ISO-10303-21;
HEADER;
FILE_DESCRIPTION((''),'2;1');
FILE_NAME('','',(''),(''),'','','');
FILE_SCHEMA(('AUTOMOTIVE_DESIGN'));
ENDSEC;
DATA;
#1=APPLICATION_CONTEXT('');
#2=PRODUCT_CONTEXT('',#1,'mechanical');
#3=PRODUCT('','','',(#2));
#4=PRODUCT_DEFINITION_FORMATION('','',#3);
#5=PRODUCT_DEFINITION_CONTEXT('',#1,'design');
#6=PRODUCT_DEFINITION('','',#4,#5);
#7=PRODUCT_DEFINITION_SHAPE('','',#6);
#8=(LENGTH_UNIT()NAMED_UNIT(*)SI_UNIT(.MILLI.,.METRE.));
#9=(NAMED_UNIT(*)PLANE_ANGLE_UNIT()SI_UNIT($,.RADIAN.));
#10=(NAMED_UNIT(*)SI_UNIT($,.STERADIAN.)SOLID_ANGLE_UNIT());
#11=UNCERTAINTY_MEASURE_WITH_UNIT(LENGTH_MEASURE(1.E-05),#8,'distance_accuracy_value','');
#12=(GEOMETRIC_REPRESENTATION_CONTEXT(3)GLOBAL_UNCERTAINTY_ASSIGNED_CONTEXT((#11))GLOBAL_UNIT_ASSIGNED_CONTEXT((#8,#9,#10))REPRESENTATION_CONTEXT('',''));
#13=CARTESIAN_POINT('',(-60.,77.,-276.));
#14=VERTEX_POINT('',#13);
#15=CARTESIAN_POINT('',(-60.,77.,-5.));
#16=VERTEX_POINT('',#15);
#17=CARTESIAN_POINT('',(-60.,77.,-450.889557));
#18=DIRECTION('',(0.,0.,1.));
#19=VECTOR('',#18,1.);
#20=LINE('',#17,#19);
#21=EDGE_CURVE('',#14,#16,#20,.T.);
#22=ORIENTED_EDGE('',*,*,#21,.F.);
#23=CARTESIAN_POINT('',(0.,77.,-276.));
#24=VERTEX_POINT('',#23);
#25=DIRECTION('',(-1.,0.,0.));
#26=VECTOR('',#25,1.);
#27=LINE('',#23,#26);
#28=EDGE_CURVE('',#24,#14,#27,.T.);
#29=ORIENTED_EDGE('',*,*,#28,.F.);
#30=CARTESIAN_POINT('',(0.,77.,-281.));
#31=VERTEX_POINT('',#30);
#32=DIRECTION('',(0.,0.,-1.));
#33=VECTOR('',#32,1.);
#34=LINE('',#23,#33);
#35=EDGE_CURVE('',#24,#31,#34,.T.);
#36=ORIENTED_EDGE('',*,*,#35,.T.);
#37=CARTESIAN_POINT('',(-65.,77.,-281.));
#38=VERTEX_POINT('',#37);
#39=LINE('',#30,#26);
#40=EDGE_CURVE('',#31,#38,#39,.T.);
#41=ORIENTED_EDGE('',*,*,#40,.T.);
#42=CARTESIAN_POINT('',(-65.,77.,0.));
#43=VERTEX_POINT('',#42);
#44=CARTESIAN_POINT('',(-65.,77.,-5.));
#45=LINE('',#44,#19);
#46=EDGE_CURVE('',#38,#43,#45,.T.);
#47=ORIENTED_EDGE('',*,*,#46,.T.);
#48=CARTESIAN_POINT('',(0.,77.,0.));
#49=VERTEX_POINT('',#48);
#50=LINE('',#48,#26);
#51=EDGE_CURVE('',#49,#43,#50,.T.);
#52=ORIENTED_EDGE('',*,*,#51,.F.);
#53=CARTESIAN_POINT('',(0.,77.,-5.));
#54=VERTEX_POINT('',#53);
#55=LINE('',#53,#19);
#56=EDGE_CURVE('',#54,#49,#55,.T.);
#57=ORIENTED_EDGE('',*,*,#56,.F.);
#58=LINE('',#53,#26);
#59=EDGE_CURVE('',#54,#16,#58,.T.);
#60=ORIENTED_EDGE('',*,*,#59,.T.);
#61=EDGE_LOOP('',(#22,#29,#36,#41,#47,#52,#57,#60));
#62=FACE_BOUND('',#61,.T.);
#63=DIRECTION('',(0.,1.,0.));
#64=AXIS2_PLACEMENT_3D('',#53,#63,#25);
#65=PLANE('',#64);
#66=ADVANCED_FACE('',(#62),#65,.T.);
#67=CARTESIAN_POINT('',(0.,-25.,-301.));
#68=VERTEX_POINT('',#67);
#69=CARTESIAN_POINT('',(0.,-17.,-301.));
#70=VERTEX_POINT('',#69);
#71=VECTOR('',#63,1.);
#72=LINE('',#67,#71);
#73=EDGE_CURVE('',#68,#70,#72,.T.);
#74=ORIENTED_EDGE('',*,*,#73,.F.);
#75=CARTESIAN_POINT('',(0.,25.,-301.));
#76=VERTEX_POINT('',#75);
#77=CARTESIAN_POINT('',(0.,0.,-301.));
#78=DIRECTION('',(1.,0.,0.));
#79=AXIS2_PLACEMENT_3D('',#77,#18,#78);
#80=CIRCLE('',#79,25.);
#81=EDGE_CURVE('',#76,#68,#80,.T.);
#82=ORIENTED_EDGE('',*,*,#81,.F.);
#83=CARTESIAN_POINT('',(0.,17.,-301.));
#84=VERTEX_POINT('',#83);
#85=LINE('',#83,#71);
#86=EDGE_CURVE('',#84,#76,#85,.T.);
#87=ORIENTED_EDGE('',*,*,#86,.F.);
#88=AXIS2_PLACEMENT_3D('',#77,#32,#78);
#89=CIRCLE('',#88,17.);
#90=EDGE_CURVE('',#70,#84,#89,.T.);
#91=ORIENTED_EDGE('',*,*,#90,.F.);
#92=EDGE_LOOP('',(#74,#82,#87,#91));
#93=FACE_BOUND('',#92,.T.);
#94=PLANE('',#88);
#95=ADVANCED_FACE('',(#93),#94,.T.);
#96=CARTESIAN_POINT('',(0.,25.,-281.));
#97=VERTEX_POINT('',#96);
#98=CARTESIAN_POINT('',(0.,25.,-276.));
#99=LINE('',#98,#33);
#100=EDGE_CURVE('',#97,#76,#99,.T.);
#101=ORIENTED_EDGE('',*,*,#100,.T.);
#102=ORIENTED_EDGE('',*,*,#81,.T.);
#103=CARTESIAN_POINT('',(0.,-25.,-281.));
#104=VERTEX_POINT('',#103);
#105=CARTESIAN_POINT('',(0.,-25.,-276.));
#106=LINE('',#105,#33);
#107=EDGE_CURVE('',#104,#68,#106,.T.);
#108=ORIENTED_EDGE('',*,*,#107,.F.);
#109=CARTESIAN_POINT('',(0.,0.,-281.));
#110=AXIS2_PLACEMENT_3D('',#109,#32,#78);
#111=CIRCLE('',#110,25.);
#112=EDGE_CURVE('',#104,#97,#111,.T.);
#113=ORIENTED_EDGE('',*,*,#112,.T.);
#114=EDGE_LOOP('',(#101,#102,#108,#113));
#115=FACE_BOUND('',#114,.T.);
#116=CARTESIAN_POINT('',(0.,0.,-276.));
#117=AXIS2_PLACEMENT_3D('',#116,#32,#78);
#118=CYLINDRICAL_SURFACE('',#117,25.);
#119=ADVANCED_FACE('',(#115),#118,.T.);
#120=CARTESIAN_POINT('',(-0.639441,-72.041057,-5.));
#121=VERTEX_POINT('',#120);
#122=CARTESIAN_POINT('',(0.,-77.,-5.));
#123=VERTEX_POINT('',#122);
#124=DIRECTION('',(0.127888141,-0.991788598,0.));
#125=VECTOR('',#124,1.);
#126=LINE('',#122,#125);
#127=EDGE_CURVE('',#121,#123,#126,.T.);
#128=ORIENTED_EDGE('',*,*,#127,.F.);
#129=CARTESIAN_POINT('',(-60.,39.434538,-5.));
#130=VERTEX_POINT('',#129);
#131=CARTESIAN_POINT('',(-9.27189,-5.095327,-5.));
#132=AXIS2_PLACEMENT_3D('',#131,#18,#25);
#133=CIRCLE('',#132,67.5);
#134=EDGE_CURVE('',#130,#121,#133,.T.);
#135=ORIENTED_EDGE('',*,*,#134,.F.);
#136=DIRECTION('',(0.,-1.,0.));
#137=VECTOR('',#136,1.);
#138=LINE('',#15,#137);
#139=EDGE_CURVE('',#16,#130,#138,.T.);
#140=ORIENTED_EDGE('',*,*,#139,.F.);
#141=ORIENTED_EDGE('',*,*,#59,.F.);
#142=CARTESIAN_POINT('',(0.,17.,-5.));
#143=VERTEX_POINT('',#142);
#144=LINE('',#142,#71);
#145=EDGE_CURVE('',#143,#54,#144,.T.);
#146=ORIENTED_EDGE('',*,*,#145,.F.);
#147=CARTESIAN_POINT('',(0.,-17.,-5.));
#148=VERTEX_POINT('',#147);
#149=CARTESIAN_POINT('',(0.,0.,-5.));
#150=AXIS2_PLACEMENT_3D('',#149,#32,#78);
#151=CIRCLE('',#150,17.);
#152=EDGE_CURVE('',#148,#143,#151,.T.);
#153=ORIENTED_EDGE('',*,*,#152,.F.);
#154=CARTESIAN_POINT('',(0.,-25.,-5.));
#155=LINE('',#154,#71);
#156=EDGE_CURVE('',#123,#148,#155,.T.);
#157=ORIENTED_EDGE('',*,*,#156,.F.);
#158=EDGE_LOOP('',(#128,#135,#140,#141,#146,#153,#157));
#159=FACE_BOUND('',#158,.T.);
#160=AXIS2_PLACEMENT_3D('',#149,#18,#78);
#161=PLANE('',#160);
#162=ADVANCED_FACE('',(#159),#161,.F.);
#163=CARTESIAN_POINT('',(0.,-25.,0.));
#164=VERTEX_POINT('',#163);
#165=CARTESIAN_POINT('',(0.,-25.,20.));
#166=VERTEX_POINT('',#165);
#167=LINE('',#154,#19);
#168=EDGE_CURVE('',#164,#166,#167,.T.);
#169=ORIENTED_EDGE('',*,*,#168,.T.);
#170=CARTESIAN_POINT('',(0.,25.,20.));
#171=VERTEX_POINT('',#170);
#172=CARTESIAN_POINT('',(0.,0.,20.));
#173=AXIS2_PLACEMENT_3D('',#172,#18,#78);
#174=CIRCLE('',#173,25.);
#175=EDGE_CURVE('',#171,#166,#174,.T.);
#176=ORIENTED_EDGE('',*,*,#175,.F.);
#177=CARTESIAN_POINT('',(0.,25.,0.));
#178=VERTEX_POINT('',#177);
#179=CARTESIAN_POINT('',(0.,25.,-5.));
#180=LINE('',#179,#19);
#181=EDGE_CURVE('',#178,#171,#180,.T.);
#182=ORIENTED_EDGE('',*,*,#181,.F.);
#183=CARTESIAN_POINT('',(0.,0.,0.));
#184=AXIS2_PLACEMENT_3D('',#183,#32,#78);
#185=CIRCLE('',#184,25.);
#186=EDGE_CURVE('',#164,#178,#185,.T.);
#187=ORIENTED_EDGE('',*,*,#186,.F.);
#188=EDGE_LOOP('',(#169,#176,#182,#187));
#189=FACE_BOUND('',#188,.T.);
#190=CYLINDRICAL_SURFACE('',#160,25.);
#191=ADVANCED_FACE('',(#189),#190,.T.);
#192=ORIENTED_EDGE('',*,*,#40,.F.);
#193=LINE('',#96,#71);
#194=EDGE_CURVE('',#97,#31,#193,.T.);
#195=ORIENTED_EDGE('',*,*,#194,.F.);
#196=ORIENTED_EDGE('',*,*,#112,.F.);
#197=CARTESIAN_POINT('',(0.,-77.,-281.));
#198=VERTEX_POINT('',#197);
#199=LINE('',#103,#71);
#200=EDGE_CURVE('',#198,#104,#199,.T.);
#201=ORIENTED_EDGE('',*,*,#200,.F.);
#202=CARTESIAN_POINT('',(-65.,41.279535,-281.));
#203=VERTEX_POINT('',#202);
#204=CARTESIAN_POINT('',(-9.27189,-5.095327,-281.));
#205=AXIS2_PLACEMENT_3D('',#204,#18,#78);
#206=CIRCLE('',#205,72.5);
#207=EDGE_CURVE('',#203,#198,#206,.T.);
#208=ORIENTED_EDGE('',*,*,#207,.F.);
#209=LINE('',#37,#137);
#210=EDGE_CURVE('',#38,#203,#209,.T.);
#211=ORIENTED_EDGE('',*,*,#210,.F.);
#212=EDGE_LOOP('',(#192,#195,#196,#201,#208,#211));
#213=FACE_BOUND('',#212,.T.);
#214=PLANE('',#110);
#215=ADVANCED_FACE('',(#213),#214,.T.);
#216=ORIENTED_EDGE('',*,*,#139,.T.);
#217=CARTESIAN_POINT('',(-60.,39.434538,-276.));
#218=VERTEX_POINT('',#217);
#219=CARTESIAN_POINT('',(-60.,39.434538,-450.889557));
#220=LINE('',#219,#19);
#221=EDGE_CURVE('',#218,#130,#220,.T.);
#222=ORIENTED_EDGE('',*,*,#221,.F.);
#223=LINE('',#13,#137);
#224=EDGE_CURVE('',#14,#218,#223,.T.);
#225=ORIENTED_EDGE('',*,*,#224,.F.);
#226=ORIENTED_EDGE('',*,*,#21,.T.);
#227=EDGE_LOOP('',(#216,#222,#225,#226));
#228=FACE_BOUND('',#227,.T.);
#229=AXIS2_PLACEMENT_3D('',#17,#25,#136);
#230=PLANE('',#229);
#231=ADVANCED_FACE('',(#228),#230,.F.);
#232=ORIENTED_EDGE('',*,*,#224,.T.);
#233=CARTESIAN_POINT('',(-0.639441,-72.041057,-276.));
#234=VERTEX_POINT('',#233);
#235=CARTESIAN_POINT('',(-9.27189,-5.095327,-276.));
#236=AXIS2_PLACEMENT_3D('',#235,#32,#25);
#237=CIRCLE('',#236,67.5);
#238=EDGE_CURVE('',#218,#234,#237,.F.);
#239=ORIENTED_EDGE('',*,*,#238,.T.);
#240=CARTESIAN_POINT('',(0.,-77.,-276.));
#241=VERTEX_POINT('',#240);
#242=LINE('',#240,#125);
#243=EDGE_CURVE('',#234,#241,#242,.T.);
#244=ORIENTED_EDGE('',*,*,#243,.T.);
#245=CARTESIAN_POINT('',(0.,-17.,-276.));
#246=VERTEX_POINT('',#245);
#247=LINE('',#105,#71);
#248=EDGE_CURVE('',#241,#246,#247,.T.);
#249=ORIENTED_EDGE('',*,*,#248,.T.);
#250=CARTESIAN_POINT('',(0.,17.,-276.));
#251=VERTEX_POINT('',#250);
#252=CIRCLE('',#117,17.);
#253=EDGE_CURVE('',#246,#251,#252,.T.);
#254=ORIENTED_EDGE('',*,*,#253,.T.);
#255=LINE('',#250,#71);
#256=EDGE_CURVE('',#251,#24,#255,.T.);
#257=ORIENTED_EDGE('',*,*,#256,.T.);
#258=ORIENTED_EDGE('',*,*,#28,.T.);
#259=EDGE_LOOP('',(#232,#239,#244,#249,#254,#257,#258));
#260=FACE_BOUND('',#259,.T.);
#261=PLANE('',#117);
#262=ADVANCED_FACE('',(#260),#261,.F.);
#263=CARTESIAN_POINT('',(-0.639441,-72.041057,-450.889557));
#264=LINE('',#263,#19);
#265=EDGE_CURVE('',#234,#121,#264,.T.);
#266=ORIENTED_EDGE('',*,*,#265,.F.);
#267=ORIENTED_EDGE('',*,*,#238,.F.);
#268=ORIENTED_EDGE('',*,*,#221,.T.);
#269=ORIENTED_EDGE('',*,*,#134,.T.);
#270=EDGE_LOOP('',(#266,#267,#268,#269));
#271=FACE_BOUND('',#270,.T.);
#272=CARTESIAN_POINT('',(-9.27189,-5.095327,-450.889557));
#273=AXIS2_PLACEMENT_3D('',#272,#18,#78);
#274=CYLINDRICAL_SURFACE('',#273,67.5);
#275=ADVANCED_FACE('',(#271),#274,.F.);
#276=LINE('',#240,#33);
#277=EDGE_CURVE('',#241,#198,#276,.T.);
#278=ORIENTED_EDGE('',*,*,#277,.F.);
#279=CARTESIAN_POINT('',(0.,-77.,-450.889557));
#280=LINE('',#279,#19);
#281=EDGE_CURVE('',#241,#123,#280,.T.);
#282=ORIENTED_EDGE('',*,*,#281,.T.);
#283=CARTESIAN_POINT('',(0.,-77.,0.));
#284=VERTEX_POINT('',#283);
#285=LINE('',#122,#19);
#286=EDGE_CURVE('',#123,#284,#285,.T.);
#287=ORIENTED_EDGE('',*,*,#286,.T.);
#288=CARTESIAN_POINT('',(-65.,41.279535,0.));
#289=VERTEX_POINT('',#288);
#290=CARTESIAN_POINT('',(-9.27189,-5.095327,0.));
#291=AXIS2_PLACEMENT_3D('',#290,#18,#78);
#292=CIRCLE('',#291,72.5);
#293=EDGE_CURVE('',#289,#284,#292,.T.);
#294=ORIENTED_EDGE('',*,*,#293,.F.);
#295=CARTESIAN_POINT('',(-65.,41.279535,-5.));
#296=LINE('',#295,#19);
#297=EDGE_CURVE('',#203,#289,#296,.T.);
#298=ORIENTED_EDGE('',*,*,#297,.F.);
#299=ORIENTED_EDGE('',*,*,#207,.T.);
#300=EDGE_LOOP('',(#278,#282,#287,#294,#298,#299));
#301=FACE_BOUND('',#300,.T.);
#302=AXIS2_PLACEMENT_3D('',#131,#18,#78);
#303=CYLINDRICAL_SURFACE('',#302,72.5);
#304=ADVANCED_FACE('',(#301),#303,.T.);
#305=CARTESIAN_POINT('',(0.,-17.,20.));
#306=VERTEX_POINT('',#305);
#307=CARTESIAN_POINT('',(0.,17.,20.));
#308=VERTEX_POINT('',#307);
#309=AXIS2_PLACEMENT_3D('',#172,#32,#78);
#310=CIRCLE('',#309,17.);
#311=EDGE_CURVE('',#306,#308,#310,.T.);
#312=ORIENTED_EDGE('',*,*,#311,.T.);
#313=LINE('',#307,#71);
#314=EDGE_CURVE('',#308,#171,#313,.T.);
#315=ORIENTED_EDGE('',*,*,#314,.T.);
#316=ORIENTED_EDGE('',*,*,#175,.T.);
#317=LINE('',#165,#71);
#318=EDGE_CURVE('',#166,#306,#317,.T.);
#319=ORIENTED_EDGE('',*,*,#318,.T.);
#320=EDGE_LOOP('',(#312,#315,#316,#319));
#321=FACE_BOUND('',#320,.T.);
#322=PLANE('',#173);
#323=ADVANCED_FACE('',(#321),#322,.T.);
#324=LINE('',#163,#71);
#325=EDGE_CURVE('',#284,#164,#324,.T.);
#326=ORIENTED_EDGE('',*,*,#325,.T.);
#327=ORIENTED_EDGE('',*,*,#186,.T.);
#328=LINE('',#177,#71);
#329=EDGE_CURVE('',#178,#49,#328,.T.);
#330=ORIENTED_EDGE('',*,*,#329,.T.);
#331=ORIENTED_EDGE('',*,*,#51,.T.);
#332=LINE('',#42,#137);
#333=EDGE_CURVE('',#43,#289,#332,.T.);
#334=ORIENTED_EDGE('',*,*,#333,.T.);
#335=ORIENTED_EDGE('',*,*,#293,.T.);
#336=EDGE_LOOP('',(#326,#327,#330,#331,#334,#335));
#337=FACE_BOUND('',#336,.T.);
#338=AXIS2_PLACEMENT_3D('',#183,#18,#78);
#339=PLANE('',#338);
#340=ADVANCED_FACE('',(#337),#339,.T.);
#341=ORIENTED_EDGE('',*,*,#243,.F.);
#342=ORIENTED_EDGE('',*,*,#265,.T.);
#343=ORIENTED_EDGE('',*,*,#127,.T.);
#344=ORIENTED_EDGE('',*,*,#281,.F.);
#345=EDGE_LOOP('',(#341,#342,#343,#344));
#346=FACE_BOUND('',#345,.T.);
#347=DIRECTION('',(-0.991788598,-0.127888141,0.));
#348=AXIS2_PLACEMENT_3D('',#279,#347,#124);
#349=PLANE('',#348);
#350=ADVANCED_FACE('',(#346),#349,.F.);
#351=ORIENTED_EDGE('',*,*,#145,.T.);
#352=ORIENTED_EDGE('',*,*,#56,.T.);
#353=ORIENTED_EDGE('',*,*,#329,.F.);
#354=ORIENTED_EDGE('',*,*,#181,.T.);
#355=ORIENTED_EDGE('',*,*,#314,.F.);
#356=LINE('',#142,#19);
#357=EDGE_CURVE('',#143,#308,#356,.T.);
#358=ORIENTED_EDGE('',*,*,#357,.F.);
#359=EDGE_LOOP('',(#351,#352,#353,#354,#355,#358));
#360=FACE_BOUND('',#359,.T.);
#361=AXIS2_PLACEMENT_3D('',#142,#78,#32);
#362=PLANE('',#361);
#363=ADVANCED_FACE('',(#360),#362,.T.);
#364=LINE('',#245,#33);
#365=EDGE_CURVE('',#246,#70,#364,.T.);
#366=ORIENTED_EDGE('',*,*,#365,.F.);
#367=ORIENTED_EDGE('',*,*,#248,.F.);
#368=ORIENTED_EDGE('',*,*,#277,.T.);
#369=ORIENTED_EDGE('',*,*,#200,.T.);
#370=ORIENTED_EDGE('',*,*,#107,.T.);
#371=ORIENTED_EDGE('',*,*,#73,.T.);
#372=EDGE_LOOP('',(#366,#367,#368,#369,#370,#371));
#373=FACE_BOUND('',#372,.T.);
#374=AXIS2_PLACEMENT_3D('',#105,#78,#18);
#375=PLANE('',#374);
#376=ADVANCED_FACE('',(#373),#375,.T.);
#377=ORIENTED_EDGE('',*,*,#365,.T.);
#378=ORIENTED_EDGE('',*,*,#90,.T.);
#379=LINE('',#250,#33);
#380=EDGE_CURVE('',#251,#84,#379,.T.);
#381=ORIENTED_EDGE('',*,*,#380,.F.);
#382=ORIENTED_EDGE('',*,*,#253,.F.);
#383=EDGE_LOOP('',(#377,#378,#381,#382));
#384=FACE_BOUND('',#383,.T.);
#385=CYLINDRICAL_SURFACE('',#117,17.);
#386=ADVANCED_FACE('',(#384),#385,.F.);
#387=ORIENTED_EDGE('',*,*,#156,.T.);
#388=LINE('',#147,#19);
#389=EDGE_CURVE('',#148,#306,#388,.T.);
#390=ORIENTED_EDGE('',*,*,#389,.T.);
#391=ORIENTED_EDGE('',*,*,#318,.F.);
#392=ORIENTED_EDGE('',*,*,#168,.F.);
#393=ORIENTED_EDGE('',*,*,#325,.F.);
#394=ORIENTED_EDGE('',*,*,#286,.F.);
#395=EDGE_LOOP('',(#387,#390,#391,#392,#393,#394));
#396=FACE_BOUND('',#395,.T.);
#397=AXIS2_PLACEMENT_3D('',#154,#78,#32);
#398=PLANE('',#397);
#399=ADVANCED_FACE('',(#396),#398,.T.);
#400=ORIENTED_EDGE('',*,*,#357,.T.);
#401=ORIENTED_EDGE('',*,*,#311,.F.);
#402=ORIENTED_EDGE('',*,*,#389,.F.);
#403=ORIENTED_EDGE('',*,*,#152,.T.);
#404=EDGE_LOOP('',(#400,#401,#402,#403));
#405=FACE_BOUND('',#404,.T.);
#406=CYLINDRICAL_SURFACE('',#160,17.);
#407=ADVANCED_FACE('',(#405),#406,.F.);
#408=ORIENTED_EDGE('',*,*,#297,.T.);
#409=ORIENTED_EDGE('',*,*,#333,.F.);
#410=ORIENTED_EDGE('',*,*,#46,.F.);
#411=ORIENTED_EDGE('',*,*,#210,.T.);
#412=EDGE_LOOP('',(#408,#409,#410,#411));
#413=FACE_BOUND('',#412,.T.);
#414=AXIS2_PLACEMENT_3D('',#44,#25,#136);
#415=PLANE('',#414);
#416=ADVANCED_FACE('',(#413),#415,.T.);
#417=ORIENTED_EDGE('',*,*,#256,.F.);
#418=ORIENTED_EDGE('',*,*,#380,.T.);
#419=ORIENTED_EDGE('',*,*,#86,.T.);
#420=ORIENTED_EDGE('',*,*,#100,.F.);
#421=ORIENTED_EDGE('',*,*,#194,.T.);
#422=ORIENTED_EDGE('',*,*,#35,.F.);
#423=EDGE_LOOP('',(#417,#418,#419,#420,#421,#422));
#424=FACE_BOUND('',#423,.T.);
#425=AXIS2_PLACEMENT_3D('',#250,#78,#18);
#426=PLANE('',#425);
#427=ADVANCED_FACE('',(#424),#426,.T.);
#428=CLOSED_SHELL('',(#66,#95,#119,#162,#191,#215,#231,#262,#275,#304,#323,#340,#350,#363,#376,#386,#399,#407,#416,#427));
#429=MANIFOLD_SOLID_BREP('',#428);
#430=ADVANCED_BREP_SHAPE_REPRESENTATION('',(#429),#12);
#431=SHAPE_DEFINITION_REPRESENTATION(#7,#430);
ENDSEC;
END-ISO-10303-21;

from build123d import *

# Parameters (mm, degrees)
BOSS_EXTRUDE1_DEPTH      = 20
BOSS_EXTRUDE1_DEPTH_BACK = 5
BOSS_EXTRUDE2_START      = -5
BOSS_EXTRUDE2_DEPTH      = 5
BOSS_EXTRUDE3_REACH      = 318.739


with BuildPart() as part:
    # Sketch1 → Boss-Extrude1 (new, two sides: drawn at the far end of the back side and taken through both)
    with BuildSketch(Plane.XY.offset(-BOSS_EXTRUDE1_DEPTH_BACK)):
        with BuildLine():
            Line((0, -25), (0, -17))
            ThreePointArc((0, -17), (-17, 0), (0, 17))
            Line((0, 17), (0, 25))
            ThreePointArc((0, 25), (-25, 0), (0, -25))
        make_face()
    extrude(amount=BOSS_EXTRUDE1_DEPTH + BOSS_EXTRUDE1_DEPTH_BACK)

    # Sketch2 → Boss-Extrude2 (add)
    with BuildSketch(Plane.XY.offset(BOSS_EXTRUDE2_START)):
        with BuildLine():
            Line((0, 25), (0, 77))
            Line((0, 77), (-65, 77))
            Line((-65, 77), (-65, 41.279534881))
            ThreePointArc((-65, 41.279534881), (-72.809730733, -40.012268415), (0, -77))
            Line((0, -77), (0, -25))
            ThreePointArc((0, -25), (-25, 0), (0, 25))
        make_face()
    extrude(amount=BOSS_EXTRUDE2_DEPTH)


with BuildPart() as body_2:
    # Mirror7: mirrored copy
    add(part.part.mirror(Plane.XY.offset(-140.5)))

    # Sketch3 → Boss-Extrude3 (add, up to next)
    with BuildSketch(Plane(origin=(0, 0, -5), x_dir=(-1, 0, 0), z_dir=(0, 0, -1)), mode=Mode.PRIVATE) as boss_extrude3_sk1:
        with BuildLine():
            Line((65, 77), (65, 41.279534881))
            ThreePointArc((65, 41.279534881), (72.809730733, -40.012268415), (0, -77))
            Line((0, -77), (0.639440705, -72.041057009))
            ThreePointArc((0.639440705, -72.041057009), (68.85136022, -36.821290054), (60, 39.434538382))
            Line((60, 39.434538382), (60, 77))
            Line((60, 77), (65, 77))
        make_face()
    boss_extrude3_tool1 = extrude(boss_extrude3_sk1.sketch, amount=BOSS_EXTRUDE3_REACH, mode=Mode.PRIVATE) - body_2.part

    add(part.part)  # Boss-Extrude3 merges part
    add(boss_extrude3_tool1.solids().sort_by_distance((-63.251104, 59.139767, -5))[0])


solid = body_2.part
